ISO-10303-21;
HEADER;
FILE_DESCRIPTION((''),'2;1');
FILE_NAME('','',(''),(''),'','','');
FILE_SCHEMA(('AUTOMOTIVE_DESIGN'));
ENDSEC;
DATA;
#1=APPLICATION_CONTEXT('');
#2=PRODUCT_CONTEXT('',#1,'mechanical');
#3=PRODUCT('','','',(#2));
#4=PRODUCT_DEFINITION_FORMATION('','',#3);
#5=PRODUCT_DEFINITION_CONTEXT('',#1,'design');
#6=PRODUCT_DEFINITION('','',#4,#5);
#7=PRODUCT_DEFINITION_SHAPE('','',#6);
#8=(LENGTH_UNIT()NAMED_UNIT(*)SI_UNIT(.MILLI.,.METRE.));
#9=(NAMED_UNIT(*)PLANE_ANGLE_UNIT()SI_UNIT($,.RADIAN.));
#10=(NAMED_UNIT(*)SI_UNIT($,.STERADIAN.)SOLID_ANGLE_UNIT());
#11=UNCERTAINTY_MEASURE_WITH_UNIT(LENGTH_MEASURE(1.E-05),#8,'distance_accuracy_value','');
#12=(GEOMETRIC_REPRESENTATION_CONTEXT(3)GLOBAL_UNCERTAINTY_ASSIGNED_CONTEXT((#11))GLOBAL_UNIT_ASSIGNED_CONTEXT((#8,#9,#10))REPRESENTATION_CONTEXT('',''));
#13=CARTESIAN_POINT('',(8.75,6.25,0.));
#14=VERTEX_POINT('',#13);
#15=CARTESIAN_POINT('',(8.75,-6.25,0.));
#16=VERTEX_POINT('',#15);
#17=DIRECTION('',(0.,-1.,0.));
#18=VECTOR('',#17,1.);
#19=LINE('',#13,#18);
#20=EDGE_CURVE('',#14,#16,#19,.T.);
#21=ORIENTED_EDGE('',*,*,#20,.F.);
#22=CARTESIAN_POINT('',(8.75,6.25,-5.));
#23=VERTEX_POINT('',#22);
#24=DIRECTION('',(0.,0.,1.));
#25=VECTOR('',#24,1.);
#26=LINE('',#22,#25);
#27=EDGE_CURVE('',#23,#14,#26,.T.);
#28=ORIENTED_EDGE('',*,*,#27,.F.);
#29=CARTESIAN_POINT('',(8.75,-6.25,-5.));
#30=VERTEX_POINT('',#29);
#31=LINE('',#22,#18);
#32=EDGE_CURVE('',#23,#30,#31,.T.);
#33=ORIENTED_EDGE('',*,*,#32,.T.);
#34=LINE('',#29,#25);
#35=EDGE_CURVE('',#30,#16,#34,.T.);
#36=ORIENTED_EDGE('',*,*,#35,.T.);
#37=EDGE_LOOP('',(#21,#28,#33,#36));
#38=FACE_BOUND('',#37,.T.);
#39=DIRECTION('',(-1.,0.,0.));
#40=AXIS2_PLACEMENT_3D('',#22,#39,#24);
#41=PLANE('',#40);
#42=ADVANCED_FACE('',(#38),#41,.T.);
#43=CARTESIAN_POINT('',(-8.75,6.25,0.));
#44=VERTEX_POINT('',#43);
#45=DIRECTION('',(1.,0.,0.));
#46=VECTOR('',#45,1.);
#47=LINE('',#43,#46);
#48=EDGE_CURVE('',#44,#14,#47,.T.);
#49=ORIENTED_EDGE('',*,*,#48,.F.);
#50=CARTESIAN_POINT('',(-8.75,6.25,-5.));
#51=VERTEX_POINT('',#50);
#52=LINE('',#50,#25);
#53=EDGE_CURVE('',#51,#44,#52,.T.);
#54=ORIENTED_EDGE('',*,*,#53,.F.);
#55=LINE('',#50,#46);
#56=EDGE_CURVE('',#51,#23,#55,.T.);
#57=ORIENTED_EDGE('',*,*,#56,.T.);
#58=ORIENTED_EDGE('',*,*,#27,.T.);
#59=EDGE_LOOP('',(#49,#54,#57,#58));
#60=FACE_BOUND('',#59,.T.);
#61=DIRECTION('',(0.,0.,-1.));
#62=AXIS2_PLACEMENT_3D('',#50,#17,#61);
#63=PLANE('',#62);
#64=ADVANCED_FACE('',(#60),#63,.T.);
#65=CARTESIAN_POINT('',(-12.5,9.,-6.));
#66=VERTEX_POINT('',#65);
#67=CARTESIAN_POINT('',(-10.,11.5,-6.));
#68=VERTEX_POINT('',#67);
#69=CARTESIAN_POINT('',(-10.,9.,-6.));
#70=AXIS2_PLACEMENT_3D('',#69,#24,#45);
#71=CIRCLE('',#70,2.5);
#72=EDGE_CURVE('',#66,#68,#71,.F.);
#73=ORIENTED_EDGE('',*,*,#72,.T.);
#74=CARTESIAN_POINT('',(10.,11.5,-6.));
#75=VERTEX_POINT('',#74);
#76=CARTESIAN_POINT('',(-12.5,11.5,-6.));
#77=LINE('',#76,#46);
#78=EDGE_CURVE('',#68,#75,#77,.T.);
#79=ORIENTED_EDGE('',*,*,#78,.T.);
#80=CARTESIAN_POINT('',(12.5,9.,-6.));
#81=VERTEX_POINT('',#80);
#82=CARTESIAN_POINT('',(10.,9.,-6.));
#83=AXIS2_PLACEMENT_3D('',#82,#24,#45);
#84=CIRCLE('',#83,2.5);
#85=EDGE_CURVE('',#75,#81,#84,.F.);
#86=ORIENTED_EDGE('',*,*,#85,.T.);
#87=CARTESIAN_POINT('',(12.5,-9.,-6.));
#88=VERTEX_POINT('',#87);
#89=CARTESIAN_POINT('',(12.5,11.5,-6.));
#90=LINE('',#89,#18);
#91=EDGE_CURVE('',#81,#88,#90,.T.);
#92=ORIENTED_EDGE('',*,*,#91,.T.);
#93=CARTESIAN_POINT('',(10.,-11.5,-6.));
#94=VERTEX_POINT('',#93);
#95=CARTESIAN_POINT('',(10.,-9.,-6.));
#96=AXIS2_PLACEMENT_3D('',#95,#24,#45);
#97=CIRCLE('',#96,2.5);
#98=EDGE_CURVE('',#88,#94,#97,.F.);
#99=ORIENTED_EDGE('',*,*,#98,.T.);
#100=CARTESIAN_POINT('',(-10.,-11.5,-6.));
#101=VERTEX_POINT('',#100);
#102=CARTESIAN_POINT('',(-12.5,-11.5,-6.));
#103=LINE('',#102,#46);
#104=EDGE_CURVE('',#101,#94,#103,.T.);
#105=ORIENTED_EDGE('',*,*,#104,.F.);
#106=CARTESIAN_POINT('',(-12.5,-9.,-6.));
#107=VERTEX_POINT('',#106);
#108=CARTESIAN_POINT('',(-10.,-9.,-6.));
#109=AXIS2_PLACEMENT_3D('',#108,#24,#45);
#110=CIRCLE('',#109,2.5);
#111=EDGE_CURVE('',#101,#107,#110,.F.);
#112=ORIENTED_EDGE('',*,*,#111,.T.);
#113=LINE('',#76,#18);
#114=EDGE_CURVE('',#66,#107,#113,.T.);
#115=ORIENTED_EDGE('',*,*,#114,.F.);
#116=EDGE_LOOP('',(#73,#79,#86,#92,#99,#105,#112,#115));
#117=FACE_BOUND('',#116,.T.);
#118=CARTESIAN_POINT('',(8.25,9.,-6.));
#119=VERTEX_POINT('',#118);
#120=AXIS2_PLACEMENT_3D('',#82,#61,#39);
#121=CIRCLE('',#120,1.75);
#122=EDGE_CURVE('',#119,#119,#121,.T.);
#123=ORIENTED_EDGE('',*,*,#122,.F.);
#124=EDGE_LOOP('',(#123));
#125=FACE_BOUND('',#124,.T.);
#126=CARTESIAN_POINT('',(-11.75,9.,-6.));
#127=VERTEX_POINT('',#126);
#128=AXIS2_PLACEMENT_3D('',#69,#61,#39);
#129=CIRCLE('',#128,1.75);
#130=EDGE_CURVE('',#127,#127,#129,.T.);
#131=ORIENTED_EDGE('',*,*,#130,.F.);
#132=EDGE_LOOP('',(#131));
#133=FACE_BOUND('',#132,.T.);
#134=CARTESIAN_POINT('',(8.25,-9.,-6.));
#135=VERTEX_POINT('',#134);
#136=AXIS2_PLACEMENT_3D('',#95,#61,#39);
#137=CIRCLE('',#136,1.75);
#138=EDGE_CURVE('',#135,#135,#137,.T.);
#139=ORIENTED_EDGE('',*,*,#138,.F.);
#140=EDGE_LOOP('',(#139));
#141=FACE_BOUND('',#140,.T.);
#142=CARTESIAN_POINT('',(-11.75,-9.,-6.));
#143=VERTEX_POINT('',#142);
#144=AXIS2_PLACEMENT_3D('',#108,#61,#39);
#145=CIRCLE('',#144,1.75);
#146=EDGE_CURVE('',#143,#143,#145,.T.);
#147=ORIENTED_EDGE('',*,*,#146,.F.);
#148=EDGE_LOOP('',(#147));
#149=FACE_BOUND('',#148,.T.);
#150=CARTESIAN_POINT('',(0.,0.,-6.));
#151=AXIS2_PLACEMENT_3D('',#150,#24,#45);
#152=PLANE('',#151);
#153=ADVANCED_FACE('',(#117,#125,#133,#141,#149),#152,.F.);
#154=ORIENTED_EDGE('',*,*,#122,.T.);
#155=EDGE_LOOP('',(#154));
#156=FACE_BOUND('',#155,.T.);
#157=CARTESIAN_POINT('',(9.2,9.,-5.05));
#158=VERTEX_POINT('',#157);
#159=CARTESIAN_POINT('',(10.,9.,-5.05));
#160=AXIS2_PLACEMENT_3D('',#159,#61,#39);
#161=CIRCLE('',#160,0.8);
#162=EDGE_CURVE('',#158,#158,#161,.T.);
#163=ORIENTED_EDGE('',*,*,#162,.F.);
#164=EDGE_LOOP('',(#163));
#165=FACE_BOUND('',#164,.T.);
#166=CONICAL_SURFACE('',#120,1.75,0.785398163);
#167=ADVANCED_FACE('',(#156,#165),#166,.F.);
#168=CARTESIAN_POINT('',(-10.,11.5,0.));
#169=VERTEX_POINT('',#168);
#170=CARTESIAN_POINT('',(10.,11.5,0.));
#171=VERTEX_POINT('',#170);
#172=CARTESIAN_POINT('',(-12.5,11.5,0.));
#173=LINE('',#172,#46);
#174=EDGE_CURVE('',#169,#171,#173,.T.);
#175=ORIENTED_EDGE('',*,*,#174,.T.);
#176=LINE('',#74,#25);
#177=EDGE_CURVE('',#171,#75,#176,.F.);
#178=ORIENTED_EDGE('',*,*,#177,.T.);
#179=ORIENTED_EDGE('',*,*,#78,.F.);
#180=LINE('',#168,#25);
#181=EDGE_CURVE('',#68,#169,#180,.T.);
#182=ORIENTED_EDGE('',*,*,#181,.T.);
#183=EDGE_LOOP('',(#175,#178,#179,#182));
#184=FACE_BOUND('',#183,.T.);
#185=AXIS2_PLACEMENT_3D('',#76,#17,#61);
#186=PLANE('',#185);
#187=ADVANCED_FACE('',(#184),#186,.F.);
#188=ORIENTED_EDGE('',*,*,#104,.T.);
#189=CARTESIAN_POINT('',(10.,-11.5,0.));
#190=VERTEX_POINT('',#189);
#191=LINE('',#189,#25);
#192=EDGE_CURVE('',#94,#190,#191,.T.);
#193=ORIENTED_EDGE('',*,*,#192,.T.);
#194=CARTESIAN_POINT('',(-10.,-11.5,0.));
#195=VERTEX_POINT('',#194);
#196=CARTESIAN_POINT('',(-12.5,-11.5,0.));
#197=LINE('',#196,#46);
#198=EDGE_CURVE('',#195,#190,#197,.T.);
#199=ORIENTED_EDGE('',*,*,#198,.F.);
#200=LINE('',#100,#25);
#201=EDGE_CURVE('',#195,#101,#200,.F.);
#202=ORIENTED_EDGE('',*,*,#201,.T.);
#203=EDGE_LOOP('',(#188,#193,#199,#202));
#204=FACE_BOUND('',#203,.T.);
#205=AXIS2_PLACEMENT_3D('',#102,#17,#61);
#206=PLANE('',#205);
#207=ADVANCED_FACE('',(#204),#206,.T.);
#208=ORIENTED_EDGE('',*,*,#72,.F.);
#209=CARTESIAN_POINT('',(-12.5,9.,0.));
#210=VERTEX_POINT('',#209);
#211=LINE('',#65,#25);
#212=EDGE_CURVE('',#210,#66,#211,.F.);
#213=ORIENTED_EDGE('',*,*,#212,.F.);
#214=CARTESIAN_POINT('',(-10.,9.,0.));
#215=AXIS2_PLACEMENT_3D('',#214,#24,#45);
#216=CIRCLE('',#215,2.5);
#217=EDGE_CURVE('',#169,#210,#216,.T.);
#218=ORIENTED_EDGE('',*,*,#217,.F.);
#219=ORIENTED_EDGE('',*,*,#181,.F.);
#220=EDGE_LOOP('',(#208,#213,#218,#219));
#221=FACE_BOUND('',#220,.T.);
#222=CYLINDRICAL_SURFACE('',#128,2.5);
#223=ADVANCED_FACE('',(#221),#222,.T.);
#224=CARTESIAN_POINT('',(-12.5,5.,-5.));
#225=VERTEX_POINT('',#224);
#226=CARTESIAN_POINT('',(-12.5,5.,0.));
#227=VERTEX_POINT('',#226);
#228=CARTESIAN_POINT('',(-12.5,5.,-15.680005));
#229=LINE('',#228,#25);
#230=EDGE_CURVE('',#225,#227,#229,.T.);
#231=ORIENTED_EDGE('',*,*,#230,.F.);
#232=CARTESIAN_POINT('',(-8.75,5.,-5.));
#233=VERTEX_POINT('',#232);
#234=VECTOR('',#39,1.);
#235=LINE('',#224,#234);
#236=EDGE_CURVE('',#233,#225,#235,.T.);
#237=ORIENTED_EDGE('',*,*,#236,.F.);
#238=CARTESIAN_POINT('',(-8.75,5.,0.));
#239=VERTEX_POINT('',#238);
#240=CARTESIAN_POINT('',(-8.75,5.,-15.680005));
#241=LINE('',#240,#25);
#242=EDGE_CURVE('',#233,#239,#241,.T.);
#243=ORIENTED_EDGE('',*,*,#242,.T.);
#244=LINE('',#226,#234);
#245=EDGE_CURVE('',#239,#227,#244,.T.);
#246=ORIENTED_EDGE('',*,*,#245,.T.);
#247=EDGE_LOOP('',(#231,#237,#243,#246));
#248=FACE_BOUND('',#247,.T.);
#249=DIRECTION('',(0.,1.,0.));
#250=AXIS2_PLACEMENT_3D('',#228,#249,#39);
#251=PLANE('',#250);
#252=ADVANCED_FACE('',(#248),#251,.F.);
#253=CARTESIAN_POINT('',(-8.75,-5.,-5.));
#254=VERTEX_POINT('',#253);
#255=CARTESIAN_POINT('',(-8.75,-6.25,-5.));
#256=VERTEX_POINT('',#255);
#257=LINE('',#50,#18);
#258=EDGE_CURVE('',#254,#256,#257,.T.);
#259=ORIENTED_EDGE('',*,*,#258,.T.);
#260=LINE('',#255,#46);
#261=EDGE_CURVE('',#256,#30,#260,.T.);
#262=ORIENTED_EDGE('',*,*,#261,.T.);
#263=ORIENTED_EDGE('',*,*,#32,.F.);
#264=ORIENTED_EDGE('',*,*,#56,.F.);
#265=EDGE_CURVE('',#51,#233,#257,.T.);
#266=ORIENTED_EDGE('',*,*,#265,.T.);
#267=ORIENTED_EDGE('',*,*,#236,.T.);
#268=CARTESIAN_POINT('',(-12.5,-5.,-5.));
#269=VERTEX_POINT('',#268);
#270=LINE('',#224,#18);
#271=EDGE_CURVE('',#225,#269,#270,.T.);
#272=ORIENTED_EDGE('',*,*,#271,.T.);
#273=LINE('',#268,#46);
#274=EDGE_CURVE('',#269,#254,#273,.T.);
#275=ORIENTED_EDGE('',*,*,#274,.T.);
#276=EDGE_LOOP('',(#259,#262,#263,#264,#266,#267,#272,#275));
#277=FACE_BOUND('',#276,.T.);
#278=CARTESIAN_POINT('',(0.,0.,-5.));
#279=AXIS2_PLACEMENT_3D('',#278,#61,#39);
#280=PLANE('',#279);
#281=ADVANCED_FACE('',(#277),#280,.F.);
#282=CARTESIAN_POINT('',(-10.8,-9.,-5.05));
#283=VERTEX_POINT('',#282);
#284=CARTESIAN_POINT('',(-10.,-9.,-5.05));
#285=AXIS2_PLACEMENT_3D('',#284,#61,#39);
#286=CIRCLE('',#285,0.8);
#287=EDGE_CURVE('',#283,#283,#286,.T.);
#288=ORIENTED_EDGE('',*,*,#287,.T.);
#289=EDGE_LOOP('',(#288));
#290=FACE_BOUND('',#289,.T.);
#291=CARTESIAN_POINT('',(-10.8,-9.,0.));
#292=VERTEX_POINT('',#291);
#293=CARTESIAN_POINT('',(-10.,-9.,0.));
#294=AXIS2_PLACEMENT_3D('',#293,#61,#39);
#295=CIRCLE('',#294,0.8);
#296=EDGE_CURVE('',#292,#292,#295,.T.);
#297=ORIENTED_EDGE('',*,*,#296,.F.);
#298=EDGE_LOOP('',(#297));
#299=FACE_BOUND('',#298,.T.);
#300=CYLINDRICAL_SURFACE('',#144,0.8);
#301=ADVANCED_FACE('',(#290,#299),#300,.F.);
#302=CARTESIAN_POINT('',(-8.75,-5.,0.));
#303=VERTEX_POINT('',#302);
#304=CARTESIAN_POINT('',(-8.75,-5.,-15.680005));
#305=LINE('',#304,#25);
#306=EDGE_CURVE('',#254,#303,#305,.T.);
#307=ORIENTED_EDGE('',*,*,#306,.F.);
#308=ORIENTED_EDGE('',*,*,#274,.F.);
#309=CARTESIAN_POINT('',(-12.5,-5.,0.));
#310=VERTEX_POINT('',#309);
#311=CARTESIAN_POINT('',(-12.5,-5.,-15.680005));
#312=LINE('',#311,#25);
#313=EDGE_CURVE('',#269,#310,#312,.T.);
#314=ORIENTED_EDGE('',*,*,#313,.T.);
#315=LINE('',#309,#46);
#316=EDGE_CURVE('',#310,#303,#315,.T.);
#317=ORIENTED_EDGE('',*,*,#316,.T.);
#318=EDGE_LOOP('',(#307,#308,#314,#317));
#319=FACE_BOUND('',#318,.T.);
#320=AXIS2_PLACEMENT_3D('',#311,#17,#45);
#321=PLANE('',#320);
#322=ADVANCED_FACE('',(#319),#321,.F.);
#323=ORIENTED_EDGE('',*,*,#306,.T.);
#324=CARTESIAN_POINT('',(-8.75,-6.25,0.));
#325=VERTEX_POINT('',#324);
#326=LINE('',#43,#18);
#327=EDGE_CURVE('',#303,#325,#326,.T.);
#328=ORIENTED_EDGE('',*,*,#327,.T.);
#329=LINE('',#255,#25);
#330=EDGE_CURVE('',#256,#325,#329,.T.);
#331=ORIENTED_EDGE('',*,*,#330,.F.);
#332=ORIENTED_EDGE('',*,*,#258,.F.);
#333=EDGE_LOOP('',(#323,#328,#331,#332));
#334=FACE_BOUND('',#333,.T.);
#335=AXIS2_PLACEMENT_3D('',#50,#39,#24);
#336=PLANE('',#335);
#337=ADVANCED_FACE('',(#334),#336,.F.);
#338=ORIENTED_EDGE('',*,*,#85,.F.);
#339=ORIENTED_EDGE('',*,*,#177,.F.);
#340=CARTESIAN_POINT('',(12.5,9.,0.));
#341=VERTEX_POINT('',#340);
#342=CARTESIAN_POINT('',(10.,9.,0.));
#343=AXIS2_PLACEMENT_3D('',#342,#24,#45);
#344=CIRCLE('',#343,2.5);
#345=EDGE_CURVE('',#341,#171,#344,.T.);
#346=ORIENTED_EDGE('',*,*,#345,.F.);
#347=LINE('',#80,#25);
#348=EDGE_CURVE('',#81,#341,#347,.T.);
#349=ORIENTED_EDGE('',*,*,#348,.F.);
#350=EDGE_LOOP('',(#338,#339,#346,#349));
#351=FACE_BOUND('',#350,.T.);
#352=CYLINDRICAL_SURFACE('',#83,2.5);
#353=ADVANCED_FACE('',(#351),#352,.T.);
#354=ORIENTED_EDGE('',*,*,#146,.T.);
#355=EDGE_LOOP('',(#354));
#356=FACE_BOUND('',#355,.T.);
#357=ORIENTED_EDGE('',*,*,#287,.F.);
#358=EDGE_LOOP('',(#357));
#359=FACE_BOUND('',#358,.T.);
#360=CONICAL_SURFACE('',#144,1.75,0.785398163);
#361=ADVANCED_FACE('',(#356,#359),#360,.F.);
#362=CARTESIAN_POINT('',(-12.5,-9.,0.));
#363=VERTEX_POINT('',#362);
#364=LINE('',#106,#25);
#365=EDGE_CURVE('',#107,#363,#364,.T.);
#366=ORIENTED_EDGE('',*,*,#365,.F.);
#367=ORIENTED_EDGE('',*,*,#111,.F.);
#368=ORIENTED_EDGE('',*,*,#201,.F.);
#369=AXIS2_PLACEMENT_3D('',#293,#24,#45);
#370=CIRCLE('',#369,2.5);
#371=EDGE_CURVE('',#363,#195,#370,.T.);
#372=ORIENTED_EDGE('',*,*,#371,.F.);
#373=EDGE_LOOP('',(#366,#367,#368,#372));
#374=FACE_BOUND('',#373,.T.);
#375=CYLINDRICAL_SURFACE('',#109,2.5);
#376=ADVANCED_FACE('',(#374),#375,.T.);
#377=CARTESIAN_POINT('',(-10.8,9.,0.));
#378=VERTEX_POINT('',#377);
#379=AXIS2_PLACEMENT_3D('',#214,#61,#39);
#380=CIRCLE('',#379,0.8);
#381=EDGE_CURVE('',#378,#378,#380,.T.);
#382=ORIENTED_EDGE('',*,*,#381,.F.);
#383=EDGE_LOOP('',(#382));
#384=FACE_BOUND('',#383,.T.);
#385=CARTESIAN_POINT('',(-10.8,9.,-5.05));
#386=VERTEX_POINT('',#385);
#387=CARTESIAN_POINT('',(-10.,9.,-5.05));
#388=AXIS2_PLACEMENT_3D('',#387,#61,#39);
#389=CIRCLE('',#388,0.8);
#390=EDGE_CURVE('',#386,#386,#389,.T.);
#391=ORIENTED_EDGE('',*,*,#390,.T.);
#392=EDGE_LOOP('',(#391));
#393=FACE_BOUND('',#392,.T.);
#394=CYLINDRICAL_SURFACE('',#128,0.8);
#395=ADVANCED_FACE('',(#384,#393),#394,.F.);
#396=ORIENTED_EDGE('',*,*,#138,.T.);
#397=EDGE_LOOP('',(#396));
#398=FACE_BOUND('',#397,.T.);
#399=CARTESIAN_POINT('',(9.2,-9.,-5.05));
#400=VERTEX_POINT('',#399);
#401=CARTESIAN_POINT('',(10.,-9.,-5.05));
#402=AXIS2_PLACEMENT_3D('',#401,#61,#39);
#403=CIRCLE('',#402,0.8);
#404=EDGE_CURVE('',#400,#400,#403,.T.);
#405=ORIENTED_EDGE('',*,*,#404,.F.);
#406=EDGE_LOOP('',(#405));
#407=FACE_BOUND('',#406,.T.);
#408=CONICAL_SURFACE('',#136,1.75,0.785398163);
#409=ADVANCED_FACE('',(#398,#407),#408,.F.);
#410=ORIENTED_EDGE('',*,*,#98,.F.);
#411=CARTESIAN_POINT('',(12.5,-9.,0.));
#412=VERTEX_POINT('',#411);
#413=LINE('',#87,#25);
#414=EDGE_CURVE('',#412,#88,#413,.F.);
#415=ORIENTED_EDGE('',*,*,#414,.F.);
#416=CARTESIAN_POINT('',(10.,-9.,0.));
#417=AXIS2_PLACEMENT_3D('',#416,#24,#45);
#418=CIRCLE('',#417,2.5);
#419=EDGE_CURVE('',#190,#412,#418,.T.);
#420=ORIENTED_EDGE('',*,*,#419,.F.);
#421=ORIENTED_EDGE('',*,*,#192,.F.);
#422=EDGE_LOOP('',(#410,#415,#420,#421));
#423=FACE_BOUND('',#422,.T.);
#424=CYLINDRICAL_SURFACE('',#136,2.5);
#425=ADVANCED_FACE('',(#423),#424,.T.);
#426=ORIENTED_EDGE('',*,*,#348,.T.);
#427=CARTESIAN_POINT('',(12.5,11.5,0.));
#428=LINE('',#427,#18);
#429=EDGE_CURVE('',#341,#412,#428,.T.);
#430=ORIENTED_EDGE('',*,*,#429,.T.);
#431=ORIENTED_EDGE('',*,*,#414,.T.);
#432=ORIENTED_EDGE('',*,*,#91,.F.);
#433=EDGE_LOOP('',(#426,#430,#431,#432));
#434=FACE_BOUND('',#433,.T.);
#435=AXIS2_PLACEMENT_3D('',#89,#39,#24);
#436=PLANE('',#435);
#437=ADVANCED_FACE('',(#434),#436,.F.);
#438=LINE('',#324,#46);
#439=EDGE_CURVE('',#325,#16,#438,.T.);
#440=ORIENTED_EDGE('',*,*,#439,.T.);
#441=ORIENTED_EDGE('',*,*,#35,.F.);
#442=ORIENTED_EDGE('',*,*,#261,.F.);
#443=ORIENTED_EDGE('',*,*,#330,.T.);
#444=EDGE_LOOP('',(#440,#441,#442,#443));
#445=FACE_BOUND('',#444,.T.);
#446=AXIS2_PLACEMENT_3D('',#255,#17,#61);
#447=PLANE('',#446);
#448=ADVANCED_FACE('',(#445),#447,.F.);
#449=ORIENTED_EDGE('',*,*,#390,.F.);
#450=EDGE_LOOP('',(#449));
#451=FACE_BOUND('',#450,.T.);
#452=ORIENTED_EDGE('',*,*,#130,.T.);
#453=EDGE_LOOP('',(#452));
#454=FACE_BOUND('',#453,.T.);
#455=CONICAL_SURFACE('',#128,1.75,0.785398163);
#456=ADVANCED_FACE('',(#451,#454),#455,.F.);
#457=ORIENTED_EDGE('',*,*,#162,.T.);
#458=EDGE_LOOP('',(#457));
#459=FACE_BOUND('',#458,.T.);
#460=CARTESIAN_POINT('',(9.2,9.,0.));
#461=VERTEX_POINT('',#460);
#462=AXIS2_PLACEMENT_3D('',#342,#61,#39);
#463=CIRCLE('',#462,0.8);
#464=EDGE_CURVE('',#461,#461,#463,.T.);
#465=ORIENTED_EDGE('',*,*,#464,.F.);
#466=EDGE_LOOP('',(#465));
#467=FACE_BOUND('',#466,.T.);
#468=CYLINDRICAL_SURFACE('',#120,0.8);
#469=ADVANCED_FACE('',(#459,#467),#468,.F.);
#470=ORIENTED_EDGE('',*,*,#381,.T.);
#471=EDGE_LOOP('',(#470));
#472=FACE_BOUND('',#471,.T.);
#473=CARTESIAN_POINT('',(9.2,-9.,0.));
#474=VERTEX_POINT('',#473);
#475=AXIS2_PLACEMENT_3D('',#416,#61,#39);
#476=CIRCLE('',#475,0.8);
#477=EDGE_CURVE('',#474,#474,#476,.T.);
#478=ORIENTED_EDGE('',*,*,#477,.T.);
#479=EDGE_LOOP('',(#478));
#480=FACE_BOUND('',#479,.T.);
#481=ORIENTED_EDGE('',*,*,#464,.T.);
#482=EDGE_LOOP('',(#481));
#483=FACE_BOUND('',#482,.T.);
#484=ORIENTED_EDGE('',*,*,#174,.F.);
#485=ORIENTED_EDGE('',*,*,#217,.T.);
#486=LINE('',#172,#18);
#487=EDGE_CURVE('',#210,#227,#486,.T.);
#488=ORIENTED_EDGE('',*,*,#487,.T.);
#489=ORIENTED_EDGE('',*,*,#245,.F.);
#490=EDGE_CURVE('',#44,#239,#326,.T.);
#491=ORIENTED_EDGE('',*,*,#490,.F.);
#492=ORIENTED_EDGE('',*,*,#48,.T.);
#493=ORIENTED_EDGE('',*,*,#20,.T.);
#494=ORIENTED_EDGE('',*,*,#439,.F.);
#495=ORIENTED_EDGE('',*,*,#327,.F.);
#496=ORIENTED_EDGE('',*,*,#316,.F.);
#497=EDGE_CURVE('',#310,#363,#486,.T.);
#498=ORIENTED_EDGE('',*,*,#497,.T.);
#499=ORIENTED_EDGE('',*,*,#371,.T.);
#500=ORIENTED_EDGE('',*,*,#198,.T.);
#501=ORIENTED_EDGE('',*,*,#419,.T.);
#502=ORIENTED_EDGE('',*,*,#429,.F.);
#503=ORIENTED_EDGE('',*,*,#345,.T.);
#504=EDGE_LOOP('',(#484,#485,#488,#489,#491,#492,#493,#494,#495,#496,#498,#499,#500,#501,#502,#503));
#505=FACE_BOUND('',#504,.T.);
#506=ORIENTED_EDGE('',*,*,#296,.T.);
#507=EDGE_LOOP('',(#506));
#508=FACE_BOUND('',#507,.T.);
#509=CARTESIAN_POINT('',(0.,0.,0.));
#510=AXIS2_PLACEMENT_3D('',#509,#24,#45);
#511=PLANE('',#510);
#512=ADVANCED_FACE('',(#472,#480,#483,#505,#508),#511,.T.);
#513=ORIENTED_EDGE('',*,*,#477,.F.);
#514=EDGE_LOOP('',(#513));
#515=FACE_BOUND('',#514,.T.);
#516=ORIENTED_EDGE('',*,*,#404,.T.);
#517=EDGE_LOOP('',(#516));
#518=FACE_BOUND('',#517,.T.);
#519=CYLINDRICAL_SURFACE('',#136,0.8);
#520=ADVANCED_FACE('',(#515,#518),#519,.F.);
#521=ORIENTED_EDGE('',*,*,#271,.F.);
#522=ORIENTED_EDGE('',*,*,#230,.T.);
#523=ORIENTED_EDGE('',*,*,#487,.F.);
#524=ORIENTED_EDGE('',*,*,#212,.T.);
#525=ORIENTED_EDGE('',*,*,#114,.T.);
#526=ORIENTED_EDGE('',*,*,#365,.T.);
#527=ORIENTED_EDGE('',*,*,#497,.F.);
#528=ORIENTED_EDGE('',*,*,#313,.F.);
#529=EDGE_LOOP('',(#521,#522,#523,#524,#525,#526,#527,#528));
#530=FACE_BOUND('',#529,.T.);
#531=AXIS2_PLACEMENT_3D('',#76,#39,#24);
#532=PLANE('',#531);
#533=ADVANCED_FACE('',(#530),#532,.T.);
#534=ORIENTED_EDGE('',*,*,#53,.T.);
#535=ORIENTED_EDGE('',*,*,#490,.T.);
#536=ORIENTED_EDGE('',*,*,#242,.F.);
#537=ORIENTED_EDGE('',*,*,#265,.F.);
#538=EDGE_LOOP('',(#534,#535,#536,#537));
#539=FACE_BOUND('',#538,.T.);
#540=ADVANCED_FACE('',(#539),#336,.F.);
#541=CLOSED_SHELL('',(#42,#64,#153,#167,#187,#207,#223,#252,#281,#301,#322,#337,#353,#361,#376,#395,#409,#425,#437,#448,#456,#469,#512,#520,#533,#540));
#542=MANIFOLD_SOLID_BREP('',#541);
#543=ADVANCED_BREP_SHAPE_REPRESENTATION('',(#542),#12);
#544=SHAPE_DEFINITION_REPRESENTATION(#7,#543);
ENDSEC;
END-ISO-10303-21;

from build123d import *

# Parameters (mm, degrees)
SKIZZE1_W                                            = 25
SKIZZE1_H                                            = 23
AUFSATZ_LINEAR_AUSTRAGEN1_DEPTH                      = 6
SKIZZE1_3_W                                          = 17.5
SKIZZE1_3_H                                          = 12.5
SCHNITT_LINEAR_AUSTRAGEN1_DEPTH                      = 5
SKIZZE2_W                                            = 3.75
SKIZZE2_H                                            = 10
SCHNITT_LINEAR_AUSTRAGEN2_DEPTH                      = 5
FORMSENKUNG_F_R_M3_SENKSCHRAUBE_MIT_INNE_D           = 1.6
FORMSENKUNG_F_R_M3_SENKSCHRAUBE_MIT_INNE_CSINK_D     = 3.5
FORMSENKUNG_F_R_M3_SENKSCHRAUBE_MIT_INNE_CSINK_ANGLE = 90
VERRUNDUNG1_R                                        = 2.5


with BuildPart() as part:
    # Skizze1 → Aufsatz-Linear austragen1 (new body)
    with BuildSketch(Plane.XY):
        Rectangle(SKIZZE1_W, SKIZZE1_H)
    extrude(amount=-AUFSATZ_LINEAR_AUSTRAGEN1_DEPTH)

    # Skizze1<3> → Schnitt-Linear austragen1 (cut)
    with BuildSketch(Plane.XY):
        Rectangle(SKIZZE1_3_W, SKIZZE1_3_H)
    extrude(amount=-SCHNITT_LINEAR_AUSTRAGEN1_DEPTH, mode=Mode.SUBTRACT)

    # Skizze2 → Schnitt-Linear austragen2 (cut)
    with BuildSketch(Plane.XY):
        with Locations((-10.625, 0)):
            Rectangle(SKIZZE2_W, SKIZZE2_H)
    extrude(amount=-SCHNITT_LINEAR_AUSTRAGEN2_DEPTH, mode=Mode.SUBTRACT)

    # Formsenkung für M3 Senkschraube mit Innensechskant1 (through all)
    with Locations(Plane(origin=(0, 0, -6), x_dir=(-1, 0, 0), z_dir=(0, 0, -1))):
        with Locations((-10, 9), (10, 9), (10, -9), (-10, -9)):
            CounterSinkHole(FORMSENKUNG_F_R_M3_SENKSCHRAUBE_MIT_INNE_D / 2, FORMSENKUNG_F_R_M3_SENKSCHRAUBE_MIT_INNE_CSINK_D / 2, counter_sink_angle=FORMSENKUNG_F_R_M3_SENKSCHRAUBE_MIT_INNE_CSINK_ANGLE)

    # Verrundung1
    verrundung1_edges = [part.edges().sort_by_distance(p)[0] for p in [
        (-12.5, 11.5, -3),
        (12.5, 11.5, -3),
        (12.5, -11.5, -3),
        (-12.5, -11.5, -3),
    ]]
    fillet(verrundung1_edges, radius=VERRUNDUNG1_R)


solid = part.part
